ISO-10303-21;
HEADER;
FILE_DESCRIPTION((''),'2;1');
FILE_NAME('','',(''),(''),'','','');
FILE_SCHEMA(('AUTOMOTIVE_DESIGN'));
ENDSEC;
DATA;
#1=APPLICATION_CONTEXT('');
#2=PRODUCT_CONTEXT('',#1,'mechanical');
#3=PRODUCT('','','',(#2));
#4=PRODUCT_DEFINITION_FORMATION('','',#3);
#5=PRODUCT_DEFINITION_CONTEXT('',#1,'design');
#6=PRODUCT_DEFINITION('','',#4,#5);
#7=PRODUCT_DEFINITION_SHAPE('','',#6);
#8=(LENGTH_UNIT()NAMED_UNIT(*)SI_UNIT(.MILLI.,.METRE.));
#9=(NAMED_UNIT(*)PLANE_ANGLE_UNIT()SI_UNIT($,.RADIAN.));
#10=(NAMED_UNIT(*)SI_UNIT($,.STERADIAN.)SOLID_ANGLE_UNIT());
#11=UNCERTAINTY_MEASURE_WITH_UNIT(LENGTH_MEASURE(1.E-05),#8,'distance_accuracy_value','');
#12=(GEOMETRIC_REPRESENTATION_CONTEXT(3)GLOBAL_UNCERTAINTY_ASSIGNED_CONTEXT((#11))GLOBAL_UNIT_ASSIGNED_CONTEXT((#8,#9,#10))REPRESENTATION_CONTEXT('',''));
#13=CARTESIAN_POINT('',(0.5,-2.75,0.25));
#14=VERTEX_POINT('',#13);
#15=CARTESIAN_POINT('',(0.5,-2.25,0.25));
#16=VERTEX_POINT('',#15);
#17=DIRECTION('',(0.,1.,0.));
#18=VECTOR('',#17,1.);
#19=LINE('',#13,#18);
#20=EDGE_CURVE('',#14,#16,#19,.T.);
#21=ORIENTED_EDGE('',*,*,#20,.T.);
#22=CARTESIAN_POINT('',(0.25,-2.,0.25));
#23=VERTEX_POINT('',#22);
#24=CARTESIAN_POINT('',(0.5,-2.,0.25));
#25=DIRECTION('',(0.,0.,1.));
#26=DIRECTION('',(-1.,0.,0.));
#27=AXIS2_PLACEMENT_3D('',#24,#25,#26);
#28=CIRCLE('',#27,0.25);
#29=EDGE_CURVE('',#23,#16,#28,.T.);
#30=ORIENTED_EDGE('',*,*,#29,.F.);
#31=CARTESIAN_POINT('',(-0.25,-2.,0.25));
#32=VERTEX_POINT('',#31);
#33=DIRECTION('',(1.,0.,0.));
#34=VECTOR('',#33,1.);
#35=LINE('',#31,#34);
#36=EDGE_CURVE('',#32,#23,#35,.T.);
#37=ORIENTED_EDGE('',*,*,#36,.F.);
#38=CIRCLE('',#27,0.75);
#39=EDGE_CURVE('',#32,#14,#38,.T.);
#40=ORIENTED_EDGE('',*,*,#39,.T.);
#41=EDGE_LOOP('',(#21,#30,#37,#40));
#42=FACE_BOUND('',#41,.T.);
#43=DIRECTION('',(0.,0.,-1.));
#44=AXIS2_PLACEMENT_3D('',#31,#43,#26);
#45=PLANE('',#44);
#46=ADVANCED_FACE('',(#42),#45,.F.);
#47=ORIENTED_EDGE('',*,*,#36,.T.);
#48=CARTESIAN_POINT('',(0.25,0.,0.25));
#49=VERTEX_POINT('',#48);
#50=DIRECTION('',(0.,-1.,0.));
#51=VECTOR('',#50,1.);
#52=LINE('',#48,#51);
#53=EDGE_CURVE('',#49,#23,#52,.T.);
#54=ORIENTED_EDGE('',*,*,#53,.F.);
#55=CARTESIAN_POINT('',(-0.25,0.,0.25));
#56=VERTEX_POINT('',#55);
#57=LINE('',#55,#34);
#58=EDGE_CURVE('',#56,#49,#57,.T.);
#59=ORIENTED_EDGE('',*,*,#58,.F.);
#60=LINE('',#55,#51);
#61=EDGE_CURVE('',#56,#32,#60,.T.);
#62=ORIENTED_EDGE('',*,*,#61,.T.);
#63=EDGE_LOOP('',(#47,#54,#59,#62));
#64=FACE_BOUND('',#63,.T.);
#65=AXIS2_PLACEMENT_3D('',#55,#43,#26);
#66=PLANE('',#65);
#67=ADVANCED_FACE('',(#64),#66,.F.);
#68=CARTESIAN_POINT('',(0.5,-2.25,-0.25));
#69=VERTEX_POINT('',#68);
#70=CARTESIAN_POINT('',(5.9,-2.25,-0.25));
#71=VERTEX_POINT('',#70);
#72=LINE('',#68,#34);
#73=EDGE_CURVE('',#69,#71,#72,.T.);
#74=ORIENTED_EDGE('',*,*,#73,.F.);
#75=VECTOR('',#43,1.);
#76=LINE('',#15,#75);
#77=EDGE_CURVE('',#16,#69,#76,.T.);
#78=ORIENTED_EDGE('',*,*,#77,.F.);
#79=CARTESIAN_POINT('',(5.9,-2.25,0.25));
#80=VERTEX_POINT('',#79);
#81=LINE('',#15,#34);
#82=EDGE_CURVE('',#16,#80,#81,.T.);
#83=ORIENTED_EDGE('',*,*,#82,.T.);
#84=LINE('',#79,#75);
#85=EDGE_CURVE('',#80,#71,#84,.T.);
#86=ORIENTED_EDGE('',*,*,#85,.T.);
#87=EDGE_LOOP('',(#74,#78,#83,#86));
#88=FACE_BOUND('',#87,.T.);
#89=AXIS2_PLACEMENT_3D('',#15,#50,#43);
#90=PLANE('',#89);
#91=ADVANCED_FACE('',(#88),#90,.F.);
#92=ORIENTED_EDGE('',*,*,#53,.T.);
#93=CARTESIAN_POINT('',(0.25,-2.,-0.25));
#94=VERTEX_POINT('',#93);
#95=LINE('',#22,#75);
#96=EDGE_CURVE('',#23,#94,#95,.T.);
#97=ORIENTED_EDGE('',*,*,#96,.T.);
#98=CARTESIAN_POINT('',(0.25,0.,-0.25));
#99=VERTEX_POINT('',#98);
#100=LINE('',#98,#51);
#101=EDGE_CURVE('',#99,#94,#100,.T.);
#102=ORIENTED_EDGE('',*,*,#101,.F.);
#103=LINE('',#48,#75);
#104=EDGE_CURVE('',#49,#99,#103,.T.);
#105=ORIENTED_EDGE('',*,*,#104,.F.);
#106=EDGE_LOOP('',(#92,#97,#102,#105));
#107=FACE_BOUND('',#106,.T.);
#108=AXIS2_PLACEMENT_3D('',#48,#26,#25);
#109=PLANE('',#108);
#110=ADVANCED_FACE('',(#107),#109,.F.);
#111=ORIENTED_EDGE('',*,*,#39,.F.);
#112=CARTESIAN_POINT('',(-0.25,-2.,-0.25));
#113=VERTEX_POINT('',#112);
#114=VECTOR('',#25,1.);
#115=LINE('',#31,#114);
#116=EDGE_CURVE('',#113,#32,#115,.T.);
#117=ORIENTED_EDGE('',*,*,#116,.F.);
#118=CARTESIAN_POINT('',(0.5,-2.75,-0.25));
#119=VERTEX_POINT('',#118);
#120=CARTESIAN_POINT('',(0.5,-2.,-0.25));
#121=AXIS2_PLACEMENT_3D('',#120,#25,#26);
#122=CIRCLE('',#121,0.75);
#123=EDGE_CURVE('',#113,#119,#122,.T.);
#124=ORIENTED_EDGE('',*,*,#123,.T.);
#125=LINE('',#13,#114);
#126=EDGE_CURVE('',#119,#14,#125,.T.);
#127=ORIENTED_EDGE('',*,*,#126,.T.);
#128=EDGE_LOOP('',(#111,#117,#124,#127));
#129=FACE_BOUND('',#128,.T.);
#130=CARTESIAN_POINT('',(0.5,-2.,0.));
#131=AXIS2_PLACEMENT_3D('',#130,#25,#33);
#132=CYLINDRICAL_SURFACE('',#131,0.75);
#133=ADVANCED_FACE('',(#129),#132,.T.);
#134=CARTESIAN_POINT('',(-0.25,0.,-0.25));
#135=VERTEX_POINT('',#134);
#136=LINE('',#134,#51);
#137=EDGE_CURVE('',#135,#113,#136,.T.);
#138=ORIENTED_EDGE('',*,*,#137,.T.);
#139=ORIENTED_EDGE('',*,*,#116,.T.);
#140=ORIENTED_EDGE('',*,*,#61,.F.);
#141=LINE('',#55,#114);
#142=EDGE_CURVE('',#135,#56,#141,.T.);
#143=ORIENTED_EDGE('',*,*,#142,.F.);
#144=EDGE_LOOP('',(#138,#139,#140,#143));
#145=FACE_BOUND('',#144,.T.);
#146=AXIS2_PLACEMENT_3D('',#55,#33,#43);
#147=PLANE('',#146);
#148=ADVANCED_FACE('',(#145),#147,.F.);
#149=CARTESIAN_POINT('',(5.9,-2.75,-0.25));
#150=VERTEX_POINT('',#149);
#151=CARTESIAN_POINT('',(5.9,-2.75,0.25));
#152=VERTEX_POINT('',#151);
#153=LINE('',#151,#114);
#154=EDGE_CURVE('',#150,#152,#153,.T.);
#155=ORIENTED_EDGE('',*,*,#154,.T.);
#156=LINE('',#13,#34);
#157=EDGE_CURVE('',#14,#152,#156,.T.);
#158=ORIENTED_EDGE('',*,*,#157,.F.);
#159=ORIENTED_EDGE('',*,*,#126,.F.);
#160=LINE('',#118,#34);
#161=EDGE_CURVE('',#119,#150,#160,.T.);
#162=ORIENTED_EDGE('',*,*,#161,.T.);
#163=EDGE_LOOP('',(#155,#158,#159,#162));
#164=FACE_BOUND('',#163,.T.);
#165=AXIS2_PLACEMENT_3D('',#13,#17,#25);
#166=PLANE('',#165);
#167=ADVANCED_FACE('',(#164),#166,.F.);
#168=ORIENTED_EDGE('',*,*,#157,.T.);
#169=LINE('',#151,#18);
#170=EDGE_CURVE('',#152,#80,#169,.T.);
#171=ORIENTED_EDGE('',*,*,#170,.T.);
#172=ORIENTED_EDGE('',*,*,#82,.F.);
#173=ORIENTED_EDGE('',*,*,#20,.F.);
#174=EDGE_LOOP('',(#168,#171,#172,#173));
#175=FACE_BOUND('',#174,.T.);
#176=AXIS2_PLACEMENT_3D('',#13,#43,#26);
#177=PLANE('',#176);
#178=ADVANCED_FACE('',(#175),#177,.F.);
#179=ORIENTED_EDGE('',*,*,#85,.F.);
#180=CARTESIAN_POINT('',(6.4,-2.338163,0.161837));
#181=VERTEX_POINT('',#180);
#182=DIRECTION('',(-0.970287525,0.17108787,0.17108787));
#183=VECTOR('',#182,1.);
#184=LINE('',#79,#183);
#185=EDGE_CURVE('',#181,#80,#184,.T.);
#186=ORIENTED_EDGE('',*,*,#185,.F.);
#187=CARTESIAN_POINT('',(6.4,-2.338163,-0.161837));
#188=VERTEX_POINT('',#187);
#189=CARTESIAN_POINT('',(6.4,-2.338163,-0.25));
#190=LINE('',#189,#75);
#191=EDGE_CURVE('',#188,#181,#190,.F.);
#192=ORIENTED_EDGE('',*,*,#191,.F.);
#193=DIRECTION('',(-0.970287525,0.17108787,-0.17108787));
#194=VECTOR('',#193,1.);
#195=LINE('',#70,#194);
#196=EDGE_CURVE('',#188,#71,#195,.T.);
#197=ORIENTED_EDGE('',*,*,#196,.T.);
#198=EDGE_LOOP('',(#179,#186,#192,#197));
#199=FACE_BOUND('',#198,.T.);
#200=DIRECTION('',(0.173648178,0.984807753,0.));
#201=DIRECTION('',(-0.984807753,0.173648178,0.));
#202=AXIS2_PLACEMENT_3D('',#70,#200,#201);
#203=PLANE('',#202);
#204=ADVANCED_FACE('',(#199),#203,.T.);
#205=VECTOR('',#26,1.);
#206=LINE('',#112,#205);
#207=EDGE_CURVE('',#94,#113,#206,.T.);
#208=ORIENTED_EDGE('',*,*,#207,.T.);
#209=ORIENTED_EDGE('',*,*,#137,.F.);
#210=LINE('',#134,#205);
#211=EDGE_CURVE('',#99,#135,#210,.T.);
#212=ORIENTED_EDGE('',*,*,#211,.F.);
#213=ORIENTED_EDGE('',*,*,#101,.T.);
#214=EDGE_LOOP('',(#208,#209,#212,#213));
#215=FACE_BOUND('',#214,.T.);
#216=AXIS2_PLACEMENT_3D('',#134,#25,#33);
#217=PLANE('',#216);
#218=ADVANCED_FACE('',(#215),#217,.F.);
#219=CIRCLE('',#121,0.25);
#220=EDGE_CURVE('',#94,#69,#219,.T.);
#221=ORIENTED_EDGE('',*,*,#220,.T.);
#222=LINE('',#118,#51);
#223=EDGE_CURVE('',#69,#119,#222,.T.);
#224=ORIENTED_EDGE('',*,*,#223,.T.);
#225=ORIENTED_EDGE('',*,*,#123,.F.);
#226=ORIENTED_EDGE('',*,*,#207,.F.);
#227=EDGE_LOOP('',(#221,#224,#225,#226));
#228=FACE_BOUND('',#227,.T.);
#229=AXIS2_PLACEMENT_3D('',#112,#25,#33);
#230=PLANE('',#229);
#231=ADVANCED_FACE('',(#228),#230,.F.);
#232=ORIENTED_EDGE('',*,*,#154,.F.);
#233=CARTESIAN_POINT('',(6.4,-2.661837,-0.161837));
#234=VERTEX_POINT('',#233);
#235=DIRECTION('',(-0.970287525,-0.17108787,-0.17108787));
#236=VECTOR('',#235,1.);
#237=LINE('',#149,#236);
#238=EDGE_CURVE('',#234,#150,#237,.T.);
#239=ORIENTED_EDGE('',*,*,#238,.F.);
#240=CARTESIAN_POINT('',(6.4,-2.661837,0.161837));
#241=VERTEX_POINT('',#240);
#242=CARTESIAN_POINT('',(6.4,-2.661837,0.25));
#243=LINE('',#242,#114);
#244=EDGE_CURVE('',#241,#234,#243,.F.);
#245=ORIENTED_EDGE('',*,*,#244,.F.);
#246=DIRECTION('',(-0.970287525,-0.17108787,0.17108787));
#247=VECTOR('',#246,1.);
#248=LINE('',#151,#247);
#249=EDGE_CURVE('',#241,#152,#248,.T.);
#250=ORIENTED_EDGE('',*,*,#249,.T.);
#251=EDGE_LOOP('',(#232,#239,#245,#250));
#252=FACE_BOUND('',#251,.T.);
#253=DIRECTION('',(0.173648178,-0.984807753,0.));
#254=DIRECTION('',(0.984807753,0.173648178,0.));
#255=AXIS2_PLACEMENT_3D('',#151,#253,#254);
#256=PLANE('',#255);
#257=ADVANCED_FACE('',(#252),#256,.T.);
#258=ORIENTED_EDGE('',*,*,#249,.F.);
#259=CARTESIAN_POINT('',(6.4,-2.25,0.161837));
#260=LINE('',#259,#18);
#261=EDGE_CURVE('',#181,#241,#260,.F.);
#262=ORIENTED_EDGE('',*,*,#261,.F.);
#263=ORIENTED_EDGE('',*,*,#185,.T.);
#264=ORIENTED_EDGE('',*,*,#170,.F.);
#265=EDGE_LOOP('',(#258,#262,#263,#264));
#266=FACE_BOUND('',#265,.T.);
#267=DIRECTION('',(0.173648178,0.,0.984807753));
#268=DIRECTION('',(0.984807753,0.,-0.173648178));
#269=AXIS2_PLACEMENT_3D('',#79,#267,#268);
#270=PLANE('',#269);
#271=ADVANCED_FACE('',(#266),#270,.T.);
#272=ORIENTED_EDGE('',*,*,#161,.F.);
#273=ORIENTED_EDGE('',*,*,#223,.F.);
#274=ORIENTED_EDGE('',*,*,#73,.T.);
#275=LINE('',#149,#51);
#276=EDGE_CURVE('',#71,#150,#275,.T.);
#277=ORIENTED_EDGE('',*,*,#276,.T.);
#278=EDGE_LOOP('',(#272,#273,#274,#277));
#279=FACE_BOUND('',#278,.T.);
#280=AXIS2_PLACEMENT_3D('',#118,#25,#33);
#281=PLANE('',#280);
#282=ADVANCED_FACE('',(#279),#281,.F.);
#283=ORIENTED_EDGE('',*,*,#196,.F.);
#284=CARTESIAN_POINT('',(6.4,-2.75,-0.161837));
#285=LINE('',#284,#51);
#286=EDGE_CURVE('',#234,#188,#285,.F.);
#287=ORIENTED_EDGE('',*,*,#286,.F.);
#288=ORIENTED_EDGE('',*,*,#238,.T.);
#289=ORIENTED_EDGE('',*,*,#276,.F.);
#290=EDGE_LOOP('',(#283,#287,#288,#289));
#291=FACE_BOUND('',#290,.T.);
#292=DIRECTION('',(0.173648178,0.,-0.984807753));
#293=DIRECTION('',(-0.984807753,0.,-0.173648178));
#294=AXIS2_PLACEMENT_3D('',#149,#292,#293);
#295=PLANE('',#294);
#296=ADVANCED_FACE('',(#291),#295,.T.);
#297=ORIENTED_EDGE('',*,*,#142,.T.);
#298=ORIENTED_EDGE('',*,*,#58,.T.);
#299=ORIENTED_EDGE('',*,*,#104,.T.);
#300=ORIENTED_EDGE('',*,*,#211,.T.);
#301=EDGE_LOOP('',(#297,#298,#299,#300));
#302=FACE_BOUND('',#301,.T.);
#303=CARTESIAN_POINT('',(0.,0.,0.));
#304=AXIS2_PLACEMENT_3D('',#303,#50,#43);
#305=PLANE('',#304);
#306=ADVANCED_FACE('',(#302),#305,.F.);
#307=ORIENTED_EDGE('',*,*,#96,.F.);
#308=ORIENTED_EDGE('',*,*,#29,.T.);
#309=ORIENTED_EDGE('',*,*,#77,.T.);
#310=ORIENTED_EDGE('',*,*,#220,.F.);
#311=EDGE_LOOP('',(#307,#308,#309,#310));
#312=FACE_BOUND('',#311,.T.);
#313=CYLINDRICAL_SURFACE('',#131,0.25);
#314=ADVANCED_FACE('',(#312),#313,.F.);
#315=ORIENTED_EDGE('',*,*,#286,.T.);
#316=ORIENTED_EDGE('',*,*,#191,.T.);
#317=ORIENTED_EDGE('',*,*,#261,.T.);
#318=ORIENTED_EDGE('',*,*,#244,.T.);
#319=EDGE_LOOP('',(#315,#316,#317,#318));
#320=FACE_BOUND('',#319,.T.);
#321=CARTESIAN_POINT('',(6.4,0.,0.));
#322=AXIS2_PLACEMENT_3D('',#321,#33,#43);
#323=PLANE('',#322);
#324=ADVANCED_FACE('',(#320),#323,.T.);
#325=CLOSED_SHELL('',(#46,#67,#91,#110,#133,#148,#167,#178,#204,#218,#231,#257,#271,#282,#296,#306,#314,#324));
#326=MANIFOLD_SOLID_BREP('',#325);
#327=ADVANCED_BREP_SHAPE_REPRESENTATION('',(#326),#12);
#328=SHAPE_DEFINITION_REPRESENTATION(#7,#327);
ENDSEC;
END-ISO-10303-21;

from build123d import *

# Parameters (mm, degrees)
SKETCH1_W           = 0.5
SKETCH1_H           = 0.5
SKETCH4_W           = 0.5
SKETCH4_H           = 0.5
BOSS_EXTRUDE1_DEPTH = 0.5
BOSS_EXTRUDE1_TAPER = 10


with BuildPart() as part:
    # Sweep1: sweep along a path in Sketch2
    with BuildLine(Plane.XY) as sweep1_path:
        Line((0, 0), (0, -2))
        ThreePointArc((0, -2), (0.146446609, -2.353553391), (0.5, -2.5))
        Line((0.5, -2.5), (5.9, -2.5))
    # Sketch1 → Sweep1 (sweep)
    with BuildSketch(Plane(origin=(0, 0, 0), x_dir=(1, 0, 0), z_dir=(0, 1, 0))):
        Rectangle(SKETCH1_W, SKETCH1_H)
    sweep(path=sweep1_path.line)

    # Sketch4 → Boss-Extrude1 (add)
    with BuildSketch(Plane(origin=(5.9, 0, 0), x_dir=(0, 0, -1), z_dir=(1, 0, 0))):
        with Locations((0, -2.5)):
            Rectangle(SKETCH4_W, SKETCH4_H)
    extrude(amount=BOSS_EXTRUDE1_DEPTH, taper=BOSS_EXTRUDE1_TAPER)


solid = part.part
